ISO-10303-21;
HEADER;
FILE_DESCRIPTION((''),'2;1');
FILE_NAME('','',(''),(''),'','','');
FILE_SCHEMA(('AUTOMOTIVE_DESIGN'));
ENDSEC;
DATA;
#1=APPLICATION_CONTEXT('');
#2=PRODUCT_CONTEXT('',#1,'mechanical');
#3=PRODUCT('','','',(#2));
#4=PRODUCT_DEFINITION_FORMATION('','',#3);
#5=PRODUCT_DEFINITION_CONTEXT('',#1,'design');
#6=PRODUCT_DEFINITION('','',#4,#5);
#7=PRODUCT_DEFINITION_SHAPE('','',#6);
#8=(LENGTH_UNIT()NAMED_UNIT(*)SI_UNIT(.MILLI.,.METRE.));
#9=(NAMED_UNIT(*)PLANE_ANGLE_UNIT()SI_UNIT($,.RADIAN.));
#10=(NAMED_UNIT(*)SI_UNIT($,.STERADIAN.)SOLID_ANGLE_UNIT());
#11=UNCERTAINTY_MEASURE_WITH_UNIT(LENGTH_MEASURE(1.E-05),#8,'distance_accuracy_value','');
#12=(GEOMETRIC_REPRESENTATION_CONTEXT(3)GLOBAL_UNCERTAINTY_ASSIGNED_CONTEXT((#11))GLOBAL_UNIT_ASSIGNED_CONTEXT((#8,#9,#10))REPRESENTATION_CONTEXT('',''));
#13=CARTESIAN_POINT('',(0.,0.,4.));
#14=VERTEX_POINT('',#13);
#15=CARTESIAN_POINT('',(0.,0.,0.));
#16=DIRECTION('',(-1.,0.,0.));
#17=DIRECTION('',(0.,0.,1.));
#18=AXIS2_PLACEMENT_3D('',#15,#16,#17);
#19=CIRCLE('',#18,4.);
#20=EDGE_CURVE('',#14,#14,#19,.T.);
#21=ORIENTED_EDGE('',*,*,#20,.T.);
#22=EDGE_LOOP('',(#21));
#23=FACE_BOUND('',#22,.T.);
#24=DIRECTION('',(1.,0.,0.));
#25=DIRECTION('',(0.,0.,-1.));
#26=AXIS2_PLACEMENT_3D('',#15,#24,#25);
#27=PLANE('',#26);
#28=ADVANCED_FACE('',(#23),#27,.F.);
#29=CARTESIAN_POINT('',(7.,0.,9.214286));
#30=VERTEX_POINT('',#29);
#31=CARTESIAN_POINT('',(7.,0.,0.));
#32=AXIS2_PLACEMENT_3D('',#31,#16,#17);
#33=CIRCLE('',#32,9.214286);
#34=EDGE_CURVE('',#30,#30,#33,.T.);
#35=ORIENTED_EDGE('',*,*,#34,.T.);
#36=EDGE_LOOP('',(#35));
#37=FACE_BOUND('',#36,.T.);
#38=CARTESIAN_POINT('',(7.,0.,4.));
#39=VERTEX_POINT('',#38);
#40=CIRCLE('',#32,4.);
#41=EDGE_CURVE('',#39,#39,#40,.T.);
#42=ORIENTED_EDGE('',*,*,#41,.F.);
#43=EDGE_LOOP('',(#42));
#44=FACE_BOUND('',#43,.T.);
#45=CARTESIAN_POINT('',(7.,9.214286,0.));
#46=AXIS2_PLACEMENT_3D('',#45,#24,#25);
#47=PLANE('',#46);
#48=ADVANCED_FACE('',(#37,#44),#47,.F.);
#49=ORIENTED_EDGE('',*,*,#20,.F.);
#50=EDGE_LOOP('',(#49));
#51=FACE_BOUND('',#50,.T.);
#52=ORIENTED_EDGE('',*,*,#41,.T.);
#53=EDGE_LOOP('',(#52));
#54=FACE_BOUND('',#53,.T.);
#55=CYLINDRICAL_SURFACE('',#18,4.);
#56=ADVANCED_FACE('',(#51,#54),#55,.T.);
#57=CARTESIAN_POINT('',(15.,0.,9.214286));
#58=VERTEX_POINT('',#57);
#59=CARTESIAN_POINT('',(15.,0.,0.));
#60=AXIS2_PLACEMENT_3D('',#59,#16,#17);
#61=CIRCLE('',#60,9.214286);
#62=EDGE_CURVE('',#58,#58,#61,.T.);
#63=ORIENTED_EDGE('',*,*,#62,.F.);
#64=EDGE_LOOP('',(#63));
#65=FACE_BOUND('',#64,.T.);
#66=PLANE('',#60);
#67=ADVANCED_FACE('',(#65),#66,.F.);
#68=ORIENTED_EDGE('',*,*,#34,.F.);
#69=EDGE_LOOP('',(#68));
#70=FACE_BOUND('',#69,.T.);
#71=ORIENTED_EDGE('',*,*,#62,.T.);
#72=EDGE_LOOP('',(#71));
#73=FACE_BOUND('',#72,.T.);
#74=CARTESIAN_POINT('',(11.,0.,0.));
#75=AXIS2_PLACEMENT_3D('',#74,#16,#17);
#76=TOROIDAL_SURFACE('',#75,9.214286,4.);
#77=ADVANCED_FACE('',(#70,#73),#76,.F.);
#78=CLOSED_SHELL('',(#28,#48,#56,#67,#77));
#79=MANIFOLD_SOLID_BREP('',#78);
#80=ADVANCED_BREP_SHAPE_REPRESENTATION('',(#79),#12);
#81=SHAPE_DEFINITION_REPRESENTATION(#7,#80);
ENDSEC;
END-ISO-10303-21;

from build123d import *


with BuildPart() as part:
    # Sketch1 → Revolve1 (revolve)
    with BuildSketch(Plane.XY, mode=Mode.PRIVATE) as revolve1_sk:
        with BuildLine():
            Line((7, 9.214285714), (7, 4))
            Line((7, 4), (0, 4))
            Line((0, 4), (0, 0))
            Line((0, 0), (15, 0))
            Line((15, 0), (15, 9.214285714))
            ThreePointArc((15, 9.214285714), (11, 5.214285714), (7, 9.214285714))
        make_face()
    revolve(revolve1_sk.sketch.rotate(Axis((0, 0, 0), (1, 0, 0)), 90), axis=Axis((0, 0, 0), (1, 0, 0)))


solid = part.part
